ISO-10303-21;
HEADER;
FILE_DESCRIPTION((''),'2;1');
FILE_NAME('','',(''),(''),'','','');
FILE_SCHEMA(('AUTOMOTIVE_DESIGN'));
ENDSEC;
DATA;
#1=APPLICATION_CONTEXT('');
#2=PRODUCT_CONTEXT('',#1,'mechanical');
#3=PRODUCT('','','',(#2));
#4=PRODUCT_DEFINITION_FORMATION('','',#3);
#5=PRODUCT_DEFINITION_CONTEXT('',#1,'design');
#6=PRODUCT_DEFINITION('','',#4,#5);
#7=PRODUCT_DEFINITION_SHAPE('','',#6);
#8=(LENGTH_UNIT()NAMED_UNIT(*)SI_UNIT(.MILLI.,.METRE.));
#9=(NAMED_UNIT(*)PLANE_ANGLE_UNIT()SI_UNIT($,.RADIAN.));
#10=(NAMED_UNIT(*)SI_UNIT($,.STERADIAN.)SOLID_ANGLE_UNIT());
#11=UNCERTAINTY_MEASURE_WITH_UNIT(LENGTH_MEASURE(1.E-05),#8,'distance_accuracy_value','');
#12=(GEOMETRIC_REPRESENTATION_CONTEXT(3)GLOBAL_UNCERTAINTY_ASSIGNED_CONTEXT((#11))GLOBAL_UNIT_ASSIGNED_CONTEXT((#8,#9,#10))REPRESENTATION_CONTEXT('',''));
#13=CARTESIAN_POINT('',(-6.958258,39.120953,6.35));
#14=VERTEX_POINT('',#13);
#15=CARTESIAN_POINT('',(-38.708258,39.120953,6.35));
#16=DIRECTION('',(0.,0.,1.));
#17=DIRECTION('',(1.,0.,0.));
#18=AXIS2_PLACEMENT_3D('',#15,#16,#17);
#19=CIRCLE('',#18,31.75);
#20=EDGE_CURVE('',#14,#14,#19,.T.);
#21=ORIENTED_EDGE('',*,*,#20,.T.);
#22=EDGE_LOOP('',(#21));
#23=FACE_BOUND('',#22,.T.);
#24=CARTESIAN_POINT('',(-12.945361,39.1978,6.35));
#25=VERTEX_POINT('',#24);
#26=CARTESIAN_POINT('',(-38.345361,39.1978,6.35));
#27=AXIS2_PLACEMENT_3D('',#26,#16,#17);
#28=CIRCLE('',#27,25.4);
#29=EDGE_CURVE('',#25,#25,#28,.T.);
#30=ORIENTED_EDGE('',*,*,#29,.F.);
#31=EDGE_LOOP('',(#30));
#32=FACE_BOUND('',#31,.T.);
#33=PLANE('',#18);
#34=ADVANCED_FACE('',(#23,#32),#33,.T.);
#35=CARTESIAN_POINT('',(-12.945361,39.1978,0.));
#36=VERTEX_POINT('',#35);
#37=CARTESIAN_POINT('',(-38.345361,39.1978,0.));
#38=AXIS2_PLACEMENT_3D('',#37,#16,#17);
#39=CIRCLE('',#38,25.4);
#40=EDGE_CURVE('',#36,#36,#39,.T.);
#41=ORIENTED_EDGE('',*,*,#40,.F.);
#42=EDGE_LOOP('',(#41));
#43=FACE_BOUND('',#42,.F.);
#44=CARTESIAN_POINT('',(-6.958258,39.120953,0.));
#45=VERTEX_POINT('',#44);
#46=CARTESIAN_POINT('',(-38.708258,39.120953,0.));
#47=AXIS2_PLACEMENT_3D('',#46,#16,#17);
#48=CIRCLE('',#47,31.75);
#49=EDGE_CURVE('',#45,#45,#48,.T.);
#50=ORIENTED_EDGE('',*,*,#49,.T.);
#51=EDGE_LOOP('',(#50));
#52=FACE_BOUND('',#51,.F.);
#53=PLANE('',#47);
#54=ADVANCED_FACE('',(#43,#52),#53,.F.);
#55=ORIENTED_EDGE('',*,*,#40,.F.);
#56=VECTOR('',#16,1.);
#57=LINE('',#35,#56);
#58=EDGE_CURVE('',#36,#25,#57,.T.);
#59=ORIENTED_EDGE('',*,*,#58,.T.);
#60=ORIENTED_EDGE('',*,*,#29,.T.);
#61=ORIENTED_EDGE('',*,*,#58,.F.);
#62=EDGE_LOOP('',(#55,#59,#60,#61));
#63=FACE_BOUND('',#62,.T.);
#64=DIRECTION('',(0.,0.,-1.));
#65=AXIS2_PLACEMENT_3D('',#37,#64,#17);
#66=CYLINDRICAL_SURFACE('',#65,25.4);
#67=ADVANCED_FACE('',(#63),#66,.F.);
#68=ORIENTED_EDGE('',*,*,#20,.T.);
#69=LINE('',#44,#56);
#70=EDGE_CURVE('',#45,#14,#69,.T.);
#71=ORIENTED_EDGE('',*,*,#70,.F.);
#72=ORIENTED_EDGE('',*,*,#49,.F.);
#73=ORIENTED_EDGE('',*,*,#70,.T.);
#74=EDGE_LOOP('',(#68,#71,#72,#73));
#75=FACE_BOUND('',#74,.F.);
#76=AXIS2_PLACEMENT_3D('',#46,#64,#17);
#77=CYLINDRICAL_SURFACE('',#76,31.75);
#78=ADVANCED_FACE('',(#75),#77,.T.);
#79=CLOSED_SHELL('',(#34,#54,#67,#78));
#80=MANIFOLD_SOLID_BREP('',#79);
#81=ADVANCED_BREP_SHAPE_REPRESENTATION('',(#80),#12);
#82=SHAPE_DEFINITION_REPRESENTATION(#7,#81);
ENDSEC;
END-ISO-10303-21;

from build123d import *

# Parameters (mm, degrees)
F0_R     = 31.75
F1_DEPTH = 6.35
F2_R     = 25.4
F3_DEPTH = 6.35


with BuildPart() as f1:
    # F0 (on Top) → F1 (new body)
    with BuildSketch(Plane.XY):
        with Locations((-38.708258, 39.120953)):
            Circle(F0_R)
    extrude(amount=F1_DEPTH)

    # F2 (on Top) → F3 (cut, through all)
    with BuildSketch(Plane.XY):
        with Locations((-38.345361, 39.1978)):
            Circle(F2_R)
    extrude(amount=F3_DEPTH, mode=Mode.SUBTRACT)


solid = f1.part
